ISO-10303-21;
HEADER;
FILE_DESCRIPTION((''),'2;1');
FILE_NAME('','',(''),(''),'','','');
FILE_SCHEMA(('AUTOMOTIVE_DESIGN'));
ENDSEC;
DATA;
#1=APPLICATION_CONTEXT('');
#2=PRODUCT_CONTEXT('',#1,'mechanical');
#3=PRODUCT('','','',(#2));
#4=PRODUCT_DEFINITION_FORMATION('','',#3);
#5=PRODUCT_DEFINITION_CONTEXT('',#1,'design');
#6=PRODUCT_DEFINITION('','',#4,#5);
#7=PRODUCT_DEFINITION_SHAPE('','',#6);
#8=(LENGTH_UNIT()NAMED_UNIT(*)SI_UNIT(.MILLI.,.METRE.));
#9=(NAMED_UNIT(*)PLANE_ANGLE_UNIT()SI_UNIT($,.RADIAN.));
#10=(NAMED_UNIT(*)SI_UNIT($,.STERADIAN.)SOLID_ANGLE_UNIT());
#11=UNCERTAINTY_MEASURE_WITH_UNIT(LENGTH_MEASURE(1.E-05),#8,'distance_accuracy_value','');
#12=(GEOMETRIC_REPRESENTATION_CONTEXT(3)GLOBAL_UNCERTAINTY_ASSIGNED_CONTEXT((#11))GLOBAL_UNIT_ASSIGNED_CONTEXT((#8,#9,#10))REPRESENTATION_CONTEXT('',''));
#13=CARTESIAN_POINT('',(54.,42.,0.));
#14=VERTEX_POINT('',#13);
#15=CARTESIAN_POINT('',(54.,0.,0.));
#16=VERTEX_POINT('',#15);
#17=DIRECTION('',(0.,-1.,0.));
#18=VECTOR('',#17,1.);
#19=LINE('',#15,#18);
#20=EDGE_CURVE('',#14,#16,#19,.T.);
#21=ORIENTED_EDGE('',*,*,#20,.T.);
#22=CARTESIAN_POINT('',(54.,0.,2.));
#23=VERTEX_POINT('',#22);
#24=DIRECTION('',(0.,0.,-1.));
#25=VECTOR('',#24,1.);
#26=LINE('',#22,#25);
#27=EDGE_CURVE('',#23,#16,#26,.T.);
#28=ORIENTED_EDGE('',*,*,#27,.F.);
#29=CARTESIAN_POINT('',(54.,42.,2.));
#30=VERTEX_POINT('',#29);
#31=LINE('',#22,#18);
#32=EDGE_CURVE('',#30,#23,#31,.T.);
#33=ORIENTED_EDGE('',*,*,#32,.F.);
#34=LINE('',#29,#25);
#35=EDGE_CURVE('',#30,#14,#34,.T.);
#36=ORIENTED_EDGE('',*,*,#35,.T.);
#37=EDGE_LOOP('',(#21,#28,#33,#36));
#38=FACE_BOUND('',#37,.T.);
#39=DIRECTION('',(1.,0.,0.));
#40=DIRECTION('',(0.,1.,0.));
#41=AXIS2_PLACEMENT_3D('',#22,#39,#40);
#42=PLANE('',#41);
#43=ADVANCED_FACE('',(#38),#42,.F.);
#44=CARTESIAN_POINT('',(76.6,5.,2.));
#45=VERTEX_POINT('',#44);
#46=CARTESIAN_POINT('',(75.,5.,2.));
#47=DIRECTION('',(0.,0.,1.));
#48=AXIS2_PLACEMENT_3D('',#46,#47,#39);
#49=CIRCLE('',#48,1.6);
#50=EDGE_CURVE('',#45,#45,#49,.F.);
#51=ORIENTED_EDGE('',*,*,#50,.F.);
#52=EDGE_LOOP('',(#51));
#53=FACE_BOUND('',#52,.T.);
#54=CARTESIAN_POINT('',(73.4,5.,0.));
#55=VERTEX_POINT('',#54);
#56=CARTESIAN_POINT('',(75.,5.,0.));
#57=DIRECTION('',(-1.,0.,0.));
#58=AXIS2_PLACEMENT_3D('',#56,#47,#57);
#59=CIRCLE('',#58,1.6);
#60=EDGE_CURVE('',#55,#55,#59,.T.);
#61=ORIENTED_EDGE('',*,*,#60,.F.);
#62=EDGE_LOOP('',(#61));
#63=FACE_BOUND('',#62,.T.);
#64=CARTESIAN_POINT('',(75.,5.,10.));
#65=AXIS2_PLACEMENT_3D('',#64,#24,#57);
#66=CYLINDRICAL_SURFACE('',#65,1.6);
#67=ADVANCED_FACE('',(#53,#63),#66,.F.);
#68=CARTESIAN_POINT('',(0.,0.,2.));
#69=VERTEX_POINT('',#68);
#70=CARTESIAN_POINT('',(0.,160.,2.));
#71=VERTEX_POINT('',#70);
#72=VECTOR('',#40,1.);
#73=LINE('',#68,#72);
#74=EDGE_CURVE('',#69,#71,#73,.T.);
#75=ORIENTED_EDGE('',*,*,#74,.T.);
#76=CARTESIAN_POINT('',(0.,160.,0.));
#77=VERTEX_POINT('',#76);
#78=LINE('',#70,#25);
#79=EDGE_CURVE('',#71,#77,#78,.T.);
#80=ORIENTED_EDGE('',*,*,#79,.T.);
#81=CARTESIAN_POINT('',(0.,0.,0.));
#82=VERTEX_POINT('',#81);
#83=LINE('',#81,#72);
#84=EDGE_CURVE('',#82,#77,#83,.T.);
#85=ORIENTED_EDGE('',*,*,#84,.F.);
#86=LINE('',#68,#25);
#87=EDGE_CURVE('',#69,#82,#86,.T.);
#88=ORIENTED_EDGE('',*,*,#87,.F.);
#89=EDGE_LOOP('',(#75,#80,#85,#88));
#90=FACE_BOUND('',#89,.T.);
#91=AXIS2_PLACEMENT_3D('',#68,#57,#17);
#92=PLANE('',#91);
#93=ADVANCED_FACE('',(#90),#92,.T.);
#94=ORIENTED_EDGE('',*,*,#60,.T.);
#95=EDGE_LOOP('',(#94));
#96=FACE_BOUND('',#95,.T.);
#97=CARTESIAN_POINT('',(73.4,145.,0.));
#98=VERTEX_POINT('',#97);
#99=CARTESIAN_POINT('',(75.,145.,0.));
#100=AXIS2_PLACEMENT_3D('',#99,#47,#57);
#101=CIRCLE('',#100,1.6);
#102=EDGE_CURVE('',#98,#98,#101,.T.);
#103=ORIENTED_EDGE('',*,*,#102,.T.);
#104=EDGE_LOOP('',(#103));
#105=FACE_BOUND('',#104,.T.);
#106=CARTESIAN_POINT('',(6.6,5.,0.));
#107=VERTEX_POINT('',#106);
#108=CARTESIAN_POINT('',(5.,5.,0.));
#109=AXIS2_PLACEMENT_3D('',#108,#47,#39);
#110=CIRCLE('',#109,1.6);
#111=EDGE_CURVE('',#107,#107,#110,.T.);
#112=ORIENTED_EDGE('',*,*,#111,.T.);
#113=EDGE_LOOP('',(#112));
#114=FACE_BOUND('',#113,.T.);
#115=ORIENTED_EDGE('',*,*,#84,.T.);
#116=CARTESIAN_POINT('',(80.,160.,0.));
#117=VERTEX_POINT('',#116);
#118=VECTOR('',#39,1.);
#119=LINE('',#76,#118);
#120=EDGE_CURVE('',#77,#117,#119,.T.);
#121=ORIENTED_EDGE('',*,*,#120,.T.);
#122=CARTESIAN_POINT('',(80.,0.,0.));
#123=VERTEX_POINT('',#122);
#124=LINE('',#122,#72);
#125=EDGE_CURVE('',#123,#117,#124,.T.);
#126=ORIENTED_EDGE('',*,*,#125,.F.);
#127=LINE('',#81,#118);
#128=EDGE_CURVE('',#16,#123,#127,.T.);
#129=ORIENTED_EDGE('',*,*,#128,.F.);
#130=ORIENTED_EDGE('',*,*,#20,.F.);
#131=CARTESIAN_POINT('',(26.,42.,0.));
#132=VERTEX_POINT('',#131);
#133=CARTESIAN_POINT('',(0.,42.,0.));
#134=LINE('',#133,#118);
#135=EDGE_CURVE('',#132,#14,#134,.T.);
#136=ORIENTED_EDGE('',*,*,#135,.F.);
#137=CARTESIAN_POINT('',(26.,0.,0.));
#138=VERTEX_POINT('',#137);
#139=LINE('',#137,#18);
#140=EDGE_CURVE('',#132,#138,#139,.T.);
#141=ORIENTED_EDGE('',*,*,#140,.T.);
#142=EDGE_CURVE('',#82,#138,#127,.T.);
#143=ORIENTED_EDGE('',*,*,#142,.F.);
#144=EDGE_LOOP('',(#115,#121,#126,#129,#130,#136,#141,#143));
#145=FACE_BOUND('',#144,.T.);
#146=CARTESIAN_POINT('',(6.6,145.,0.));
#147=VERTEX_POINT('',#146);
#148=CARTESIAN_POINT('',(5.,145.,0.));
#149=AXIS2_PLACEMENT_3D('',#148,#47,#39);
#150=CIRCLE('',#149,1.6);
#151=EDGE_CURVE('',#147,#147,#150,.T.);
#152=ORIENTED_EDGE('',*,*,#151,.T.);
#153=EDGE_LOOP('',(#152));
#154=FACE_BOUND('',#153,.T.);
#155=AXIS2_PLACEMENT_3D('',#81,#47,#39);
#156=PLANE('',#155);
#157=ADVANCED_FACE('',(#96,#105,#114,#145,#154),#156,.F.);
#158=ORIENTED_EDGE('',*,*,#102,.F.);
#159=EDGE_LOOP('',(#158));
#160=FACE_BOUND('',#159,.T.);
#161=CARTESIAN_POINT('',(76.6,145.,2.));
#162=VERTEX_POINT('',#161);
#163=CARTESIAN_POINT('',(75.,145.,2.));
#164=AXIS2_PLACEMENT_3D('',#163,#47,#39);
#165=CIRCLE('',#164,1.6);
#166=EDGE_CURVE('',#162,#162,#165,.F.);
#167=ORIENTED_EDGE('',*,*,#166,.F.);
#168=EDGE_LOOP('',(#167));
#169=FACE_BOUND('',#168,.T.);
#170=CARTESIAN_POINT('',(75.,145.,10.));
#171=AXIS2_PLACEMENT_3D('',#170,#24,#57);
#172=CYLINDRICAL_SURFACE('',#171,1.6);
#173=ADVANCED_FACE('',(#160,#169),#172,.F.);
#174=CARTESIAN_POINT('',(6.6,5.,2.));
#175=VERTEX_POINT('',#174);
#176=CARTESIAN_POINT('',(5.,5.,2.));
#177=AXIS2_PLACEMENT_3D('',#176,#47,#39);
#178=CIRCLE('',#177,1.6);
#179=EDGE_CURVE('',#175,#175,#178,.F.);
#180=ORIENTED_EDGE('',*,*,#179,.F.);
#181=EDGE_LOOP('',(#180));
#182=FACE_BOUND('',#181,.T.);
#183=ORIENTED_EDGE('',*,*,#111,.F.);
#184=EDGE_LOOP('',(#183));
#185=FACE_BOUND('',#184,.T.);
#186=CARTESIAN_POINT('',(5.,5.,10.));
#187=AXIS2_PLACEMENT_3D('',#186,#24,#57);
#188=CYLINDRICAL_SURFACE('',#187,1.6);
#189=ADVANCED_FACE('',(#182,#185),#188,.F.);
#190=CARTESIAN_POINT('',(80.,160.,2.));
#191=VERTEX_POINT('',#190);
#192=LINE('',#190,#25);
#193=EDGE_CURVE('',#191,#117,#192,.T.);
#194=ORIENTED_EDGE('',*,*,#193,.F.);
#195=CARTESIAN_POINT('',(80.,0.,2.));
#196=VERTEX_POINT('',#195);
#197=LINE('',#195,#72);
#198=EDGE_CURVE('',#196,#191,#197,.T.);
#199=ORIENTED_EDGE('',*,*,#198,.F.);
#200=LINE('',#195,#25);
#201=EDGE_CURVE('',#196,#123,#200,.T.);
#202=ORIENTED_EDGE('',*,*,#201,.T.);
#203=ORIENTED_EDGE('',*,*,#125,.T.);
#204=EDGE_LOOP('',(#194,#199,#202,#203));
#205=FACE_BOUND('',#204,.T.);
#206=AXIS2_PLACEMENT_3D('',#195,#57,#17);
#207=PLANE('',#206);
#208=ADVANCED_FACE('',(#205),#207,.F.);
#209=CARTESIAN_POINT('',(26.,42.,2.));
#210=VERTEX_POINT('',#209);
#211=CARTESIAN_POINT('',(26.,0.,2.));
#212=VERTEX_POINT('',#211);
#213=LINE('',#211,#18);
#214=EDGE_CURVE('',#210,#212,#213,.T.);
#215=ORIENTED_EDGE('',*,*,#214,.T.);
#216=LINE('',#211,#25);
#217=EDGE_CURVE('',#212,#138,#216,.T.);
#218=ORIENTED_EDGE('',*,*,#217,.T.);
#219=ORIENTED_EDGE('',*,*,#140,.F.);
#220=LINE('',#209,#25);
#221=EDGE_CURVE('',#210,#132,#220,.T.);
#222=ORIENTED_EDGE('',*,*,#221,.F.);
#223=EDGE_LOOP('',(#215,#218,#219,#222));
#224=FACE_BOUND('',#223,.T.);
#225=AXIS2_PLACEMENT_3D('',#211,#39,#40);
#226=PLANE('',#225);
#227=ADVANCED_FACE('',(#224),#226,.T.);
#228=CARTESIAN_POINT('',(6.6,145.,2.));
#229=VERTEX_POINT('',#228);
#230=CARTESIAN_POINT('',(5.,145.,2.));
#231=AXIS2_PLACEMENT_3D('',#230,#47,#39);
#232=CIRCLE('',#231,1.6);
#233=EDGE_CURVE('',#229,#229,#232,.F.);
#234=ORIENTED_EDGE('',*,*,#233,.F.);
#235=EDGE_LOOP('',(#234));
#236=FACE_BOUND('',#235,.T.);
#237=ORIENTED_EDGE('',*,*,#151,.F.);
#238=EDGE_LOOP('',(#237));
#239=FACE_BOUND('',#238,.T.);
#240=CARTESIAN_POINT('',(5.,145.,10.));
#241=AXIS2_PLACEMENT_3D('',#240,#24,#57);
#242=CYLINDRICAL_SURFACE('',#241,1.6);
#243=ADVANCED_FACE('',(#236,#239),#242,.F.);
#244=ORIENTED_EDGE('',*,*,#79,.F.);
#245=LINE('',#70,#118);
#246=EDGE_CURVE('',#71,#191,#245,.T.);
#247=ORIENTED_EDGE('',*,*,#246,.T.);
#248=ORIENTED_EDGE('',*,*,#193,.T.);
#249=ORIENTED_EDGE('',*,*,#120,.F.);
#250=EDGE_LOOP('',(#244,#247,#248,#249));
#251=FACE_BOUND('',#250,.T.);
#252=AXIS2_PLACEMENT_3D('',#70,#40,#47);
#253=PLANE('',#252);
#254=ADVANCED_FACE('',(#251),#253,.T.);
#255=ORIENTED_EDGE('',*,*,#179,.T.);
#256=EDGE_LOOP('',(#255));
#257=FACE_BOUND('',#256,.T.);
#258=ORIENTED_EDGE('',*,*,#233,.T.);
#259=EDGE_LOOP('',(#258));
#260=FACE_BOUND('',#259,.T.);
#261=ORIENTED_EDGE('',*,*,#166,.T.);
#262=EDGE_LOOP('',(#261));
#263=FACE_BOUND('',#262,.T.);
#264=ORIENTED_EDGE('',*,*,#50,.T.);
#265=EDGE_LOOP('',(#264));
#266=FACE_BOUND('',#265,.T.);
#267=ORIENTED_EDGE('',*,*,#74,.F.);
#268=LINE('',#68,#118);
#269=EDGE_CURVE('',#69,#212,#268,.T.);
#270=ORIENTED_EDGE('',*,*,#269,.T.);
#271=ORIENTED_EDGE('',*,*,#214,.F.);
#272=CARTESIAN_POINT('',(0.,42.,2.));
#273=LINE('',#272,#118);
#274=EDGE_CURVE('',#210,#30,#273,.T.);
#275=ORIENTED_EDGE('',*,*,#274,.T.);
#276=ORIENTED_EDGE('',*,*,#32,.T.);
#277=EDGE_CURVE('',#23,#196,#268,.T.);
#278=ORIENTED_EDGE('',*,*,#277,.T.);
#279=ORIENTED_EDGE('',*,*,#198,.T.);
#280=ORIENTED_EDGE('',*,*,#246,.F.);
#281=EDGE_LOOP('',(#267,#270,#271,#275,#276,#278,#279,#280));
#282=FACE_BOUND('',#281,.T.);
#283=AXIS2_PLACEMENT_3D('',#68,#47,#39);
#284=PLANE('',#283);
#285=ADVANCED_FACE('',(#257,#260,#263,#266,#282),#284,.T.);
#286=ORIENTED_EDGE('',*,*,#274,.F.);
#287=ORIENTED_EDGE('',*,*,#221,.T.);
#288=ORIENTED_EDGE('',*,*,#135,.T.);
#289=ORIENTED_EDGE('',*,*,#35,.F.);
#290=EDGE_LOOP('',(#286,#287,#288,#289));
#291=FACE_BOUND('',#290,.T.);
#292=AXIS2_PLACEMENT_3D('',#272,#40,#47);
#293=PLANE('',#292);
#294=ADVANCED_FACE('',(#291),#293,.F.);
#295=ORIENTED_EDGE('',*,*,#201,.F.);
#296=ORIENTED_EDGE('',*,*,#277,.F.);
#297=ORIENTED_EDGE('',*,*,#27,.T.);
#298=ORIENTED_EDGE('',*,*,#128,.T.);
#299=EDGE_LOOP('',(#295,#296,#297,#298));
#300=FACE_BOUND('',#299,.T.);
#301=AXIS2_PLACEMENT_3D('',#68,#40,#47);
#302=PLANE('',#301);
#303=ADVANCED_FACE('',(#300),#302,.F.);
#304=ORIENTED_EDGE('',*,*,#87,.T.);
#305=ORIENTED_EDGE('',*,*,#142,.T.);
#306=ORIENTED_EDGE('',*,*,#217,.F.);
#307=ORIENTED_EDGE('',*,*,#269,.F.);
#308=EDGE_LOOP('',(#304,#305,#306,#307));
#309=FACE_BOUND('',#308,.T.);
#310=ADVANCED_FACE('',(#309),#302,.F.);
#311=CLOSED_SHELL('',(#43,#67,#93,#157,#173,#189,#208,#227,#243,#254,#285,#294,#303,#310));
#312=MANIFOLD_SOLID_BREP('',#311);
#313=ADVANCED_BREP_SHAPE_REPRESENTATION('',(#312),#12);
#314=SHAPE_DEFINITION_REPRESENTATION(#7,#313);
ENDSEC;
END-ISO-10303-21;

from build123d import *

# Parameters (mm, degrees)
BOSS_EXTRU_1_DEPTH      = 2
ESQUISSE2_R             = 1.6
ENL_V_MAT_EXTRU_1_DEPTH = 10


with BuildPart() as part:
    # Esquisse1 → Boss.-Extru.1 (new body)
    with BuildSketch(Plane.XY):
        Polygon((80, 160), (40, 160), (40, 42), (54, 42), (54, 0), (80, 0), align=None)
        Polygon((40, 42), (40, 160), (0, 160), (0, 0), (26, 0), (26, 42), align=None)
    extrude(amount=BOSS_EXTRU_1_DEPTH)

    # Esquisse2 → Enlèv. mat.-Extru.1 (cut)
    with BuildSketch(Plane.XY):
        with Locations((5, 145)):
            Circle(ESQUISSE2_R)
        with Locations((5, 5)):
            Circle(ESQUISSE2_R)
        with Locations(Location((75, 5, 0), (0, 0, 180))):
            Circle(ESQUISSE2_R)
        with Locations(Location((75, 145, 0), (0, 0, 180))):
            Circle(ESQUISSE2_R)
    extrude(amount=ENL_V_MAT_EXTRU_1_DEPTH, mode=Mode.SUBTRACT)


solid = part.part
